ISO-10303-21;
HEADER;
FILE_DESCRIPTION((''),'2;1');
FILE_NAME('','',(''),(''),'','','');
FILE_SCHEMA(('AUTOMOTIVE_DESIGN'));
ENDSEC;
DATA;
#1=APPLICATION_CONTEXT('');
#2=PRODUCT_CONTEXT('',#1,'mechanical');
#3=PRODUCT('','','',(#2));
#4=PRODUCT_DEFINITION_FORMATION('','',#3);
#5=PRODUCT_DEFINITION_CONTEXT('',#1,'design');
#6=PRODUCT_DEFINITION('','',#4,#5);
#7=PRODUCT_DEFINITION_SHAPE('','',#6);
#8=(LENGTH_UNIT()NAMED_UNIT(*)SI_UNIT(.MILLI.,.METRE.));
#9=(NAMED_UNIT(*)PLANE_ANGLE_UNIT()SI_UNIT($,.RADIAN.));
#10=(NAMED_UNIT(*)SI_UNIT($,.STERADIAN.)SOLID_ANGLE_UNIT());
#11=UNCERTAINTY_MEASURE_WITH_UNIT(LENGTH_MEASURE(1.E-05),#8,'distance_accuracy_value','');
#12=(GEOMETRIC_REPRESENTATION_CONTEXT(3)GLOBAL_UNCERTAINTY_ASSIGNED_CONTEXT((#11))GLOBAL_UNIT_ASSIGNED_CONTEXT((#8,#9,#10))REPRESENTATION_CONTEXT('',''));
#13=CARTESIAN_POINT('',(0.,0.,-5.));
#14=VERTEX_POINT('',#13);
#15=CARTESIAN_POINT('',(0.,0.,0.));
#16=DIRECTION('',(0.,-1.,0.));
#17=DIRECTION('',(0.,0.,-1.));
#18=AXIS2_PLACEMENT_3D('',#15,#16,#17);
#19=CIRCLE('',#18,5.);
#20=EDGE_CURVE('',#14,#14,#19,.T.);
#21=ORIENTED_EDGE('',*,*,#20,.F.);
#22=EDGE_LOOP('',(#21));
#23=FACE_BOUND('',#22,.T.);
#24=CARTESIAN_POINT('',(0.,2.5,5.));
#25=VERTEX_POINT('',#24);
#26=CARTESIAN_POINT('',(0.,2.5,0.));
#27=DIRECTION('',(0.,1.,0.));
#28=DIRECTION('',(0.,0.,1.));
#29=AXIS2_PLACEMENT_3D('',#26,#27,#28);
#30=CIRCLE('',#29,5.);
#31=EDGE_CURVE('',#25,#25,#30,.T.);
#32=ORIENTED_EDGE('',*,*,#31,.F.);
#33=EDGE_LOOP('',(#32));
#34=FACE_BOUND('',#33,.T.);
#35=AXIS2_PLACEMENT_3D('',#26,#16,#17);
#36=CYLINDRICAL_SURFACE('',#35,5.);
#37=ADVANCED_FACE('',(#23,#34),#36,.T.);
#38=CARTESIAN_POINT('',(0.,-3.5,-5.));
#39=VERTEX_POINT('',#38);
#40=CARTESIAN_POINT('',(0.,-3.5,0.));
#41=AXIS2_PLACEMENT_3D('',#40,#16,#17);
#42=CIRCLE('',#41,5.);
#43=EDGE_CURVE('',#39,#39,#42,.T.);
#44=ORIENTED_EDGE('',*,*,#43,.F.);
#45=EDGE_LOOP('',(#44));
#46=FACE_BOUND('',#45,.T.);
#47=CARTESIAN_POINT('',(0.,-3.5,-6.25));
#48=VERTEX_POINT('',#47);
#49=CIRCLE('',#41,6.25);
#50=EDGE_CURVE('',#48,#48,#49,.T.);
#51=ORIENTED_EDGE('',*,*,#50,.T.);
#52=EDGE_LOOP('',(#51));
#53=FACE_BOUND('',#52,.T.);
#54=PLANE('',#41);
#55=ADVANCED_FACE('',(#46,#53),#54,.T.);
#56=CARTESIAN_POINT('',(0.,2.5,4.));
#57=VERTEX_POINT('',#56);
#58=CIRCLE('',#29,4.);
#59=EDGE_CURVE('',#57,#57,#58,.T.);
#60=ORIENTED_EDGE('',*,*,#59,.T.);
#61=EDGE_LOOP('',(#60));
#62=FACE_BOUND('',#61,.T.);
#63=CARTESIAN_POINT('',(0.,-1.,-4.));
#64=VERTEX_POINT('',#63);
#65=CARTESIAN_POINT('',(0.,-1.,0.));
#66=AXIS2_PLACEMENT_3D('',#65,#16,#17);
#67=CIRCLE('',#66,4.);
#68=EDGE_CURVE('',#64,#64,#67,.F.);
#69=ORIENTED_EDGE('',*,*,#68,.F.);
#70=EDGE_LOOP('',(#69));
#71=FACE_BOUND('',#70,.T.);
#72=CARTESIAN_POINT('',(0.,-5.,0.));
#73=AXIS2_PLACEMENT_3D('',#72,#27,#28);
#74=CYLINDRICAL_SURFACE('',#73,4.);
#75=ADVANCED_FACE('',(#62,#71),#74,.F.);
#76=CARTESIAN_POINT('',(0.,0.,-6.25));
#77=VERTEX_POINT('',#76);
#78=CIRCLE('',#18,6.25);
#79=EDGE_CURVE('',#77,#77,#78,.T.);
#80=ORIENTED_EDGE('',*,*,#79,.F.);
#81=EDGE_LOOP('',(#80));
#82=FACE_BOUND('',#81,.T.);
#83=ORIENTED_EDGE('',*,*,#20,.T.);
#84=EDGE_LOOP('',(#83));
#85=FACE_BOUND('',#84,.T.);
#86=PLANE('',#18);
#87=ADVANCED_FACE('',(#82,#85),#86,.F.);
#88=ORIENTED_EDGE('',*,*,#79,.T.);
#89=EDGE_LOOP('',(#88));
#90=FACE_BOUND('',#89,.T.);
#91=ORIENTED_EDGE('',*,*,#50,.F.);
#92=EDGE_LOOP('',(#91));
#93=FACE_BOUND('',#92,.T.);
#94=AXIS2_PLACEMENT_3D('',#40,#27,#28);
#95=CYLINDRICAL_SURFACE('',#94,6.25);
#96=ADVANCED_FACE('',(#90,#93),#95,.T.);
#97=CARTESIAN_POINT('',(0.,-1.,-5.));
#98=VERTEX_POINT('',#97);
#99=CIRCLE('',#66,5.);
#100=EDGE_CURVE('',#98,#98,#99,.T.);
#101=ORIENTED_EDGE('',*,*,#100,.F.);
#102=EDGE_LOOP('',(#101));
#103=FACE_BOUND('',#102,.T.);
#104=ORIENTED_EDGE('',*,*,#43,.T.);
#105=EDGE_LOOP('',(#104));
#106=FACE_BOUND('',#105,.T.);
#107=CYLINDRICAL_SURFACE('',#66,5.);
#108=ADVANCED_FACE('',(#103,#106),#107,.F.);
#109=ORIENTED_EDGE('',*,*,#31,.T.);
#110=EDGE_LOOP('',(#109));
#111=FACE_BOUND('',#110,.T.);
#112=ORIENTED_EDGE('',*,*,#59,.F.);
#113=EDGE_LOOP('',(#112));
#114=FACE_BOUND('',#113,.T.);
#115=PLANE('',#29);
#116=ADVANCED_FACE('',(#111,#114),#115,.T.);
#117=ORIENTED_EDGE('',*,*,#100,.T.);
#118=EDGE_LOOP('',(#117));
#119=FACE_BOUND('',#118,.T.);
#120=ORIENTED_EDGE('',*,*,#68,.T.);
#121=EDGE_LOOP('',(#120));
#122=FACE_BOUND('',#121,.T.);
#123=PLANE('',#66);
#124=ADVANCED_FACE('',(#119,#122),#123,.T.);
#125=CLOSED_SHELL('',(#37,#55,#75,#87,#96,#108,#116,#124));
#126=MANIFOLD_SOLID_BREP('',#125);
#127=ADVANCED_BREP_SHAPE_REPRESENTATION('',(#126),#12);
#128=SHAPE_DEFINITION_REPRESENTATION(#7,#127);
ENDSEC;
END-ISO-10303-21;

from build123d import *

# Parameters (mm, degrees)
SKETCH1_R           = 5
BOSS_EXTRUDE1_DEPTH = 2.5
SKETCH2_R           = 6.25
BOSS_EXTRUDE2_DEPTH = 3.5
SKETCH3_R           = 4
CUT_EXTRUDE1_DEPTH  = 7.5
SKETCH4_R           = 5
CUT_EXTRUDE2_DEPTH  = 2.5


with BuildPart() as part:
    # Sketch1 → Boss-Extrude1 (new body)
    with BuildSketch(Plane(origin=(0, 0, 0), x_dir=(1, 0, 0), z_dir=(0, 1, 0))):
        Circle(SKETCH1_R)
    extrude(amount=BOSS_EXTRUDE1_DEPTH)

    # Sketch2 → Boss-Extrude2 (add)
    with BuildSketch(Plane.XZ):
        Circle(SKETCH2_R)
    extrude(amount=BOSS_EXTRUDE2_DEPTH)

    # Sketch3 → Cut-Extrude1 (cut)
    with BuildSketch(Plane(origin=(0, 2.5, 0), x_dir=(1, 0, 0), z_dir=(0, 1, 0))):
        Circle(SKETCH3_R)
    extrude(amount=-CUT_EXTRUDE1_DEPTH, mode=Mode.SUBTRACT)

    # Sketch4 → Cut-Extrude2 (cut)
    with BuildSketch(Plane.XZ.offset(3.5)):
        Circle(SKETCH4_R)
    extrude(amount=-CUT_EXTRUDE2_DEPTH, mode=Mode.SUBTRACT)


solid = part.part
